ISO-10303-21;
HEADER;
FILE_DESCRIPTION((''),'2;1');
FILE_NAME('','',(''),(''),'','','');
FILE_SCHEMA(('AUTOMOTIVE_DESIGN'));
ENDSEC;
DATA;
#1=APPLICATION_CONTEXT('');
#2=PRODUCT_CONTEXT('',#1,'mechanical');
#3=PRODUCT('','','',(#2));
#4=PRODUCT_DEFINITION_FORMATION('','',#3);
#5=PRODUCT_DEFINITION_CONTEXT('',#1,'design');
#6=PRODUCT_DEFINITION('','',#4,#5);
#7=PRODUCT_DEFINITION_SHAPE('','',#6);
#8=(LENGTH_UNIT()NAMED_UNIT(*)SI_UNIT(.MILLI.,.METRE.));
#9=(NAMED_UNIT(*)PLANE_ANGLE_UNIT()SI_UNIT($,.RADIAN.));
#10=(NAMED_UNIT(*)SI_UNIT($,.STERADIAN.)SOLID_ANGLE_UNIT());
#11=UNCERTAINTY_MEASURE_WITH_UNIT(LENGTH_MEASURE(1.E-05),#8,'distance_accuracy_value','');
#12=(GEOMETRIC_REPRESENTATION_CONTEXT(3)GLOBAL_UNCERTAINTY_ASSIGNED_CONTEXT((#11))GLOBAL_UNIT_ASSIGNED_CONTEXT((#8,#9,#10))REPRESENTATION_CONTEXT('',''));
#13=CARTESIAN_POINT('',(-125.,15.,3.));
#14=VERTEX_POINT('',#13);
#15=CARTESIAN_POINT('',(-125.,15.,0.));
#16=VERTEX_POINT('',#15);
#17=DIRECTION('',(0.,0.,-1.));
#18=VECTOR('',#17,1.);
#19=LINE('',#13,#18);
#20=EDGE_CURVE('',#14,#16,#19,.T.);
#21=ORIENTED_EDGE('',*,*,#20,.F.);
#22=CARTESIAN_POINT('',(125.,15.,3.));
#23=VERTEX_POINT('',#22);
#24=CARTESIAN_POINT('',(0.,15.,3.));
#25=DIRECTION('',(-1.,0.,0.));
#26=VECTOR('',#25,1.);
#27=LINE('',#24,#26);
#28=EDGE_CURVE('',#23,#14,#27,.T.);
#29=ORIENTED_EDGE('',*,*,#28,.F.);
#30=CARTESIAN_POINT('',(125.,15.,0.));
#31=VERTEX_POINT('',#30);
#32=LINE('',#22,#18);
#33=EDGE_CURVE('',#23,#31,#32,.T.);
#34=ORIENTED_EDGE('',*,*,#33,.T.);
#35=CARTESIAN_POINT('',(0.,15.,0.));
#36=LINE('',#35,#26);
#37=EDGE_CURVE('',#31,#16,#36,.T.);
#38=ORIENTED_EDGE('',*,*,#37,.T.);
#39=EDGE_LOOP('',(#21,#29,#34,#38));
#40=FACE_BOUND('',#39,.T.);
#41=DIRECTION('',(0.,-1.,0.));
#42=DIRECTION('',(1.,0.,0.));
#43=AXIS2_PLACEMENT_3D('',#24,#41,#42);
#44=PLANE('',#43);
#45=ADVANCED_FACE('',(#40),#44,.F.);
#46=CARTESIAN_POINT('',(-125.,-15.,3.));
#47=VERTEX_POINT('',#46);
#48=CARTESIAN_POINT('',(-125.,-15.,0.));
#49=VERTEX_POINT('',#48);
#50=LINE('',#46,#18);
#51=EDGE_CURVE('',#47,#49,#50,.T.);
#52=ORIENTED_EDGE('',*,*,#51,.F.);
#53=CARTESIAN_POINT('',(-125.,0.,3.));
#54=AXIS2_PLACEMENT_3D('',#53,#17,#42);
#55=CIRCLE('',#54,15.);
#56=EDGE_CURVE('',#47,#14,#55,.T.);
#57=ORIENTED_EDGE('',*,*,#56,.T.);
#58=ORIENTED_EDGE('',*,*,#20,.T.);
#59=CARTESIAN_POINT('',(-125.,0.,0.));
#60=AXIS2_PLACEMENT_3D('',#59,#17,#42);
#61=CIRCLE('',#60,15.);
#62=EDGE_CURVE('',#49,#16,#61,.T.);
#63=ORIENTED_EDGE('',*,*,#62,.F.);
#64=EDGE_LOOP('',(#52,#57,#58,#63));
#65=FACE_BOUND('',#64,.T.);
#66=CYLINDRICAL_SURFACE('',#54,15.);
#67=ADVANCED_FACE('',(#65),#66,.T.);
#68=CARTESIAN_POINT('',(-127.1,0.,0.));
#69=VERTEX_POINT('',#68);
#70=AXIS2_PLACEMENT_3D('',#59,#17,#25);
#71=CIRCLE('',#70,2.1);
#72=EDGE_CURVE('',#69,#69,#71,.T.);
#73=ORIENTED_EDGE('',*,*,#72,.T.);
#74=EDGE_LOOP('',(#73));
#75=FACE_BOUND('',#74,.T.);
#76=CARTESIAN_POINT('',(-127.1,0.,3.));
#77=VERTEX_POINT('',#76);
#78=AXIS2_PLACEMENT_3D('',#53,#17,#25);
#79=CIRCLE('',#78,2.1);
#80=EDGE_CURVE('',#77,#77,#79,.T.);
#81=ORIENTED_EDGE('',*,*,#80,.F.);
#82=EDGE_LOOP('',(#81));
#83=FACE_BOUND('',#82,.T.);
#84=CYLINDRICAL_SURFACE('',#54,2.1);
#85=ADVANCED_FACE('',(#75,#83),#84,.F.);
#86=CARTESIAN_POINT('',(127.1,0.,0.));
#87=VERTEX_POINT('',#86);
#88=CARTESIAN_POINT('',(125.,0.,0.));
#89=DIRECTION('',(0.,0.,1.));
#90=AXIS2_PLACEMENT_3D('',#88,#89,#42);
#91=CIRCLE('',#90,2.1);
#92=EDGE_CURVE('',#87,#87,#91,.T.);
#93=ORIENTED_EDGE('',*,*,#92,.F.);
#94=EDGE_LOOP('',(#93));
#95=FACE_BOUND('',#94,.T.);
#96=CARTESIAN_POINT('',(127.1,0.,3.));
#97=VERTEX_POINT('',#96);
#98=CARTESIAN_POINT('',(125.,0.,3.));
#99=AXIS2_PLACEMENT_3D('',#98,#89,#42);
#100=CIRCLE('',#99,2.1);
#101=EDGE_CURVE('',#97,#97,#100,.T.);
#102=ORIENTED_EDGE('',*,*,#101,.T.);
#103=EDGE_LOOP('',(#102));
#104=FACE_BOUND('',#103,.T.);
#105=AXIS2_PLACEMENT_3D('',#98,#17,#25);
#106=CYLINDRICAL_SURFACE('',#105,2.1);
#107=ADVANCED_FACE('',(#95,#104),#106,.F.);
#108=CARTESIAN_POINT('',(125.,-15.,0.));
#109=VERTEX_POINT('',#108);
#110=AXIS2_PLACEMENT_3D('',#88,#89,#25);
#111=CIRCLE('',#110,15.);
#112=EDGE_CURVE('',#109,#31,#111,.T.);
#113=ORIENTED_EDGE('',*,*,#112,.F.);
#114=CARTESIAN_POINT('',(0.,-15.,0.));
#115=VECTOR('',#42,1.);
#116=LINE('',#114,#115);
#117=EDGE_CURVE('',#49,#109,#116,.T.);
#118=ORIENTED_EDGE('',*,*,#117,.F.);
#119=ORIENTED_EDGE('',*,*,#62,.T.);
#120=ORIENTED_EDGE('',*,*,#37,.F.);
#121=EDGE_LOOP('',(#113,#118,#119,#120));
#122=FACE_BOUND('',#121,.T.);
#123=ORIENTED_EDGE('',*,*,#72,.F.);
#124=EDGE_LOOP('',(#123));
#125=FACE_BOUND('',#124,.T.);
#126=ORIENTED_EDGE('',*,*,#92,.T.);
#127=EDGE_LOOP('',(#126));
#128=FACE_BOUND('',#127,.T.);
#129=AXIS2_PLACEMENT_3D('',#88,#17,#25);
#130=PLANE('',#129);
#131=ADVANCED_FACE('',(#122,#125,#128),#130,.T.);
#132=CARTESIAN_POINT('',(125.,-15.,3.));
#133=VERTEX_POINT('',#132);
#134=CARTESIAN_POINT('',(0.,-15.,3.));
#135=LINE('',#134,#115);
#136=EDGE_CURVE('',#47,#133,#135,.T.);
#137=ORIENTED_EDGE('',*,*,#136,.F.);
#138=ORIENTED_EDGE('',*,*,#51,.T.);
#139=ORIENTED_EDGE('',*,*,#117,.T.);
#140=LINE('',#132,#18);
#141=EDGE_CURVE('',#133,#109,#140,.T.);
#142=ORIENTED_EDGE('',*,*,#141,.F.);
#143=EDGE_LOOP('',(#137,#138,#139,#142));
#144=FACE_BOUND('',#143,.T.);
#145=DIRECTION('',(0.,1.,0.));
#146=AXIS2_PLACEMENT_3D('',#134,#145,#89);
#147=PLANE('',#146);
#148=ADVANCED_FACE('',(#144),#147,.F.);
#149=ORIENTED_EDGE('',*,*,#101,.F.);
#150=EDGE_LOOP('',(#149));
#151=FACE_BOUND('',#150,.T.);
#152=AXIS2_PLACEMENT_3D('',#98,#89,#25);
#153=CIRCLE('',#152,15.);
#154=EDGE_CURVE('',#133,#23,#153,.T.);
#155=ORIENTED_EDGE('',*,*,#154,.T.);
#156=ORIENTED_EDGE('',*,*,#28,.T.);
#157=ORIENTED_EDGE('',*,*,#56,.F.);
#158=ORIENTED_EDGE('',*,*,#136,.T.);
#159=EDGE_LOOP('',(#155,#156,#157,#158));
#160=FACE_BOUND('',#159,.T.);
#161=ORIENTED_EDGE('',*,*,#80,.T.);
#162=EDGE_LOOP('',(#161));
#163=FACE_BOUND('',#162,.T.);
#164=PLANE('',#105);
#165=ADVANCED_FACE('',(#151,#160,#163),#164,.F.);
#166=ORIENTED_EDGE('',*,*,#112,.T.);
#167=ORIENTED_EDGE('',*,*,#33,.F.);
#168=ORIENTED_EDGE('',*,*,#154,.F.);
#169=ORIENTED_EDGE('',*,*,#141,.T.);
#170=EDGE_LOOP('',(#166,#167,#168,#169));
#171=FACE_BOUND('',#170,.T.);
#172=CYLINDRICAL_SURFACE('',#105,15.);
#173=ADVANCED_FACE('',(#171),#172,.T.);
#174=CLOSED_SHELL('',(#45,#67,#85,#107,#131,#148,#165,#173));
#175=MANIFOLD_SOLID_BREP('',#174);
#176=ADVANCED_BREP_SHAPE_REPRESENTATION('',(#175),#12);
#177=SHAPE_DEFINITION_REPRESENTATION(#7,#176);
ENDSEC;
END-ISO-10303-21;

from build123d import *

# Parameters (mm, degrees)
ESQUISSE1_R        = 2.1
BOSS_EXTRU_1_DEPTH = 3


with BuildPart() as part:
    # Esquisse1 → Boss.-Extru.1 (new body)
    with BuildSketch(Plane.XY):
        with BuildLine():
            Line((0, 15), (125, 15))
            ThreePointArc((125, 15), (140, 0), (125, -15))
            Line((125, -15), (0, -15))
            Line((0, -15), (0, 15))
        make_face()
        with Locations((125, 0)):
            Circle(ESQUISSE1_R, mode=Mode.SUBTRACT)
    extrude(amount=BOSS_EXTRU_1_DEPTH)

    # Symétrie1: part across plane


with BuildPart() as part_1:
    add(part.part)
    add(part.part.mirror(Plane(origin=(0, 15, 3), x_dir=(0, 0, 1), z_dir=(1, 0, 0))))


solid = part_1.part
